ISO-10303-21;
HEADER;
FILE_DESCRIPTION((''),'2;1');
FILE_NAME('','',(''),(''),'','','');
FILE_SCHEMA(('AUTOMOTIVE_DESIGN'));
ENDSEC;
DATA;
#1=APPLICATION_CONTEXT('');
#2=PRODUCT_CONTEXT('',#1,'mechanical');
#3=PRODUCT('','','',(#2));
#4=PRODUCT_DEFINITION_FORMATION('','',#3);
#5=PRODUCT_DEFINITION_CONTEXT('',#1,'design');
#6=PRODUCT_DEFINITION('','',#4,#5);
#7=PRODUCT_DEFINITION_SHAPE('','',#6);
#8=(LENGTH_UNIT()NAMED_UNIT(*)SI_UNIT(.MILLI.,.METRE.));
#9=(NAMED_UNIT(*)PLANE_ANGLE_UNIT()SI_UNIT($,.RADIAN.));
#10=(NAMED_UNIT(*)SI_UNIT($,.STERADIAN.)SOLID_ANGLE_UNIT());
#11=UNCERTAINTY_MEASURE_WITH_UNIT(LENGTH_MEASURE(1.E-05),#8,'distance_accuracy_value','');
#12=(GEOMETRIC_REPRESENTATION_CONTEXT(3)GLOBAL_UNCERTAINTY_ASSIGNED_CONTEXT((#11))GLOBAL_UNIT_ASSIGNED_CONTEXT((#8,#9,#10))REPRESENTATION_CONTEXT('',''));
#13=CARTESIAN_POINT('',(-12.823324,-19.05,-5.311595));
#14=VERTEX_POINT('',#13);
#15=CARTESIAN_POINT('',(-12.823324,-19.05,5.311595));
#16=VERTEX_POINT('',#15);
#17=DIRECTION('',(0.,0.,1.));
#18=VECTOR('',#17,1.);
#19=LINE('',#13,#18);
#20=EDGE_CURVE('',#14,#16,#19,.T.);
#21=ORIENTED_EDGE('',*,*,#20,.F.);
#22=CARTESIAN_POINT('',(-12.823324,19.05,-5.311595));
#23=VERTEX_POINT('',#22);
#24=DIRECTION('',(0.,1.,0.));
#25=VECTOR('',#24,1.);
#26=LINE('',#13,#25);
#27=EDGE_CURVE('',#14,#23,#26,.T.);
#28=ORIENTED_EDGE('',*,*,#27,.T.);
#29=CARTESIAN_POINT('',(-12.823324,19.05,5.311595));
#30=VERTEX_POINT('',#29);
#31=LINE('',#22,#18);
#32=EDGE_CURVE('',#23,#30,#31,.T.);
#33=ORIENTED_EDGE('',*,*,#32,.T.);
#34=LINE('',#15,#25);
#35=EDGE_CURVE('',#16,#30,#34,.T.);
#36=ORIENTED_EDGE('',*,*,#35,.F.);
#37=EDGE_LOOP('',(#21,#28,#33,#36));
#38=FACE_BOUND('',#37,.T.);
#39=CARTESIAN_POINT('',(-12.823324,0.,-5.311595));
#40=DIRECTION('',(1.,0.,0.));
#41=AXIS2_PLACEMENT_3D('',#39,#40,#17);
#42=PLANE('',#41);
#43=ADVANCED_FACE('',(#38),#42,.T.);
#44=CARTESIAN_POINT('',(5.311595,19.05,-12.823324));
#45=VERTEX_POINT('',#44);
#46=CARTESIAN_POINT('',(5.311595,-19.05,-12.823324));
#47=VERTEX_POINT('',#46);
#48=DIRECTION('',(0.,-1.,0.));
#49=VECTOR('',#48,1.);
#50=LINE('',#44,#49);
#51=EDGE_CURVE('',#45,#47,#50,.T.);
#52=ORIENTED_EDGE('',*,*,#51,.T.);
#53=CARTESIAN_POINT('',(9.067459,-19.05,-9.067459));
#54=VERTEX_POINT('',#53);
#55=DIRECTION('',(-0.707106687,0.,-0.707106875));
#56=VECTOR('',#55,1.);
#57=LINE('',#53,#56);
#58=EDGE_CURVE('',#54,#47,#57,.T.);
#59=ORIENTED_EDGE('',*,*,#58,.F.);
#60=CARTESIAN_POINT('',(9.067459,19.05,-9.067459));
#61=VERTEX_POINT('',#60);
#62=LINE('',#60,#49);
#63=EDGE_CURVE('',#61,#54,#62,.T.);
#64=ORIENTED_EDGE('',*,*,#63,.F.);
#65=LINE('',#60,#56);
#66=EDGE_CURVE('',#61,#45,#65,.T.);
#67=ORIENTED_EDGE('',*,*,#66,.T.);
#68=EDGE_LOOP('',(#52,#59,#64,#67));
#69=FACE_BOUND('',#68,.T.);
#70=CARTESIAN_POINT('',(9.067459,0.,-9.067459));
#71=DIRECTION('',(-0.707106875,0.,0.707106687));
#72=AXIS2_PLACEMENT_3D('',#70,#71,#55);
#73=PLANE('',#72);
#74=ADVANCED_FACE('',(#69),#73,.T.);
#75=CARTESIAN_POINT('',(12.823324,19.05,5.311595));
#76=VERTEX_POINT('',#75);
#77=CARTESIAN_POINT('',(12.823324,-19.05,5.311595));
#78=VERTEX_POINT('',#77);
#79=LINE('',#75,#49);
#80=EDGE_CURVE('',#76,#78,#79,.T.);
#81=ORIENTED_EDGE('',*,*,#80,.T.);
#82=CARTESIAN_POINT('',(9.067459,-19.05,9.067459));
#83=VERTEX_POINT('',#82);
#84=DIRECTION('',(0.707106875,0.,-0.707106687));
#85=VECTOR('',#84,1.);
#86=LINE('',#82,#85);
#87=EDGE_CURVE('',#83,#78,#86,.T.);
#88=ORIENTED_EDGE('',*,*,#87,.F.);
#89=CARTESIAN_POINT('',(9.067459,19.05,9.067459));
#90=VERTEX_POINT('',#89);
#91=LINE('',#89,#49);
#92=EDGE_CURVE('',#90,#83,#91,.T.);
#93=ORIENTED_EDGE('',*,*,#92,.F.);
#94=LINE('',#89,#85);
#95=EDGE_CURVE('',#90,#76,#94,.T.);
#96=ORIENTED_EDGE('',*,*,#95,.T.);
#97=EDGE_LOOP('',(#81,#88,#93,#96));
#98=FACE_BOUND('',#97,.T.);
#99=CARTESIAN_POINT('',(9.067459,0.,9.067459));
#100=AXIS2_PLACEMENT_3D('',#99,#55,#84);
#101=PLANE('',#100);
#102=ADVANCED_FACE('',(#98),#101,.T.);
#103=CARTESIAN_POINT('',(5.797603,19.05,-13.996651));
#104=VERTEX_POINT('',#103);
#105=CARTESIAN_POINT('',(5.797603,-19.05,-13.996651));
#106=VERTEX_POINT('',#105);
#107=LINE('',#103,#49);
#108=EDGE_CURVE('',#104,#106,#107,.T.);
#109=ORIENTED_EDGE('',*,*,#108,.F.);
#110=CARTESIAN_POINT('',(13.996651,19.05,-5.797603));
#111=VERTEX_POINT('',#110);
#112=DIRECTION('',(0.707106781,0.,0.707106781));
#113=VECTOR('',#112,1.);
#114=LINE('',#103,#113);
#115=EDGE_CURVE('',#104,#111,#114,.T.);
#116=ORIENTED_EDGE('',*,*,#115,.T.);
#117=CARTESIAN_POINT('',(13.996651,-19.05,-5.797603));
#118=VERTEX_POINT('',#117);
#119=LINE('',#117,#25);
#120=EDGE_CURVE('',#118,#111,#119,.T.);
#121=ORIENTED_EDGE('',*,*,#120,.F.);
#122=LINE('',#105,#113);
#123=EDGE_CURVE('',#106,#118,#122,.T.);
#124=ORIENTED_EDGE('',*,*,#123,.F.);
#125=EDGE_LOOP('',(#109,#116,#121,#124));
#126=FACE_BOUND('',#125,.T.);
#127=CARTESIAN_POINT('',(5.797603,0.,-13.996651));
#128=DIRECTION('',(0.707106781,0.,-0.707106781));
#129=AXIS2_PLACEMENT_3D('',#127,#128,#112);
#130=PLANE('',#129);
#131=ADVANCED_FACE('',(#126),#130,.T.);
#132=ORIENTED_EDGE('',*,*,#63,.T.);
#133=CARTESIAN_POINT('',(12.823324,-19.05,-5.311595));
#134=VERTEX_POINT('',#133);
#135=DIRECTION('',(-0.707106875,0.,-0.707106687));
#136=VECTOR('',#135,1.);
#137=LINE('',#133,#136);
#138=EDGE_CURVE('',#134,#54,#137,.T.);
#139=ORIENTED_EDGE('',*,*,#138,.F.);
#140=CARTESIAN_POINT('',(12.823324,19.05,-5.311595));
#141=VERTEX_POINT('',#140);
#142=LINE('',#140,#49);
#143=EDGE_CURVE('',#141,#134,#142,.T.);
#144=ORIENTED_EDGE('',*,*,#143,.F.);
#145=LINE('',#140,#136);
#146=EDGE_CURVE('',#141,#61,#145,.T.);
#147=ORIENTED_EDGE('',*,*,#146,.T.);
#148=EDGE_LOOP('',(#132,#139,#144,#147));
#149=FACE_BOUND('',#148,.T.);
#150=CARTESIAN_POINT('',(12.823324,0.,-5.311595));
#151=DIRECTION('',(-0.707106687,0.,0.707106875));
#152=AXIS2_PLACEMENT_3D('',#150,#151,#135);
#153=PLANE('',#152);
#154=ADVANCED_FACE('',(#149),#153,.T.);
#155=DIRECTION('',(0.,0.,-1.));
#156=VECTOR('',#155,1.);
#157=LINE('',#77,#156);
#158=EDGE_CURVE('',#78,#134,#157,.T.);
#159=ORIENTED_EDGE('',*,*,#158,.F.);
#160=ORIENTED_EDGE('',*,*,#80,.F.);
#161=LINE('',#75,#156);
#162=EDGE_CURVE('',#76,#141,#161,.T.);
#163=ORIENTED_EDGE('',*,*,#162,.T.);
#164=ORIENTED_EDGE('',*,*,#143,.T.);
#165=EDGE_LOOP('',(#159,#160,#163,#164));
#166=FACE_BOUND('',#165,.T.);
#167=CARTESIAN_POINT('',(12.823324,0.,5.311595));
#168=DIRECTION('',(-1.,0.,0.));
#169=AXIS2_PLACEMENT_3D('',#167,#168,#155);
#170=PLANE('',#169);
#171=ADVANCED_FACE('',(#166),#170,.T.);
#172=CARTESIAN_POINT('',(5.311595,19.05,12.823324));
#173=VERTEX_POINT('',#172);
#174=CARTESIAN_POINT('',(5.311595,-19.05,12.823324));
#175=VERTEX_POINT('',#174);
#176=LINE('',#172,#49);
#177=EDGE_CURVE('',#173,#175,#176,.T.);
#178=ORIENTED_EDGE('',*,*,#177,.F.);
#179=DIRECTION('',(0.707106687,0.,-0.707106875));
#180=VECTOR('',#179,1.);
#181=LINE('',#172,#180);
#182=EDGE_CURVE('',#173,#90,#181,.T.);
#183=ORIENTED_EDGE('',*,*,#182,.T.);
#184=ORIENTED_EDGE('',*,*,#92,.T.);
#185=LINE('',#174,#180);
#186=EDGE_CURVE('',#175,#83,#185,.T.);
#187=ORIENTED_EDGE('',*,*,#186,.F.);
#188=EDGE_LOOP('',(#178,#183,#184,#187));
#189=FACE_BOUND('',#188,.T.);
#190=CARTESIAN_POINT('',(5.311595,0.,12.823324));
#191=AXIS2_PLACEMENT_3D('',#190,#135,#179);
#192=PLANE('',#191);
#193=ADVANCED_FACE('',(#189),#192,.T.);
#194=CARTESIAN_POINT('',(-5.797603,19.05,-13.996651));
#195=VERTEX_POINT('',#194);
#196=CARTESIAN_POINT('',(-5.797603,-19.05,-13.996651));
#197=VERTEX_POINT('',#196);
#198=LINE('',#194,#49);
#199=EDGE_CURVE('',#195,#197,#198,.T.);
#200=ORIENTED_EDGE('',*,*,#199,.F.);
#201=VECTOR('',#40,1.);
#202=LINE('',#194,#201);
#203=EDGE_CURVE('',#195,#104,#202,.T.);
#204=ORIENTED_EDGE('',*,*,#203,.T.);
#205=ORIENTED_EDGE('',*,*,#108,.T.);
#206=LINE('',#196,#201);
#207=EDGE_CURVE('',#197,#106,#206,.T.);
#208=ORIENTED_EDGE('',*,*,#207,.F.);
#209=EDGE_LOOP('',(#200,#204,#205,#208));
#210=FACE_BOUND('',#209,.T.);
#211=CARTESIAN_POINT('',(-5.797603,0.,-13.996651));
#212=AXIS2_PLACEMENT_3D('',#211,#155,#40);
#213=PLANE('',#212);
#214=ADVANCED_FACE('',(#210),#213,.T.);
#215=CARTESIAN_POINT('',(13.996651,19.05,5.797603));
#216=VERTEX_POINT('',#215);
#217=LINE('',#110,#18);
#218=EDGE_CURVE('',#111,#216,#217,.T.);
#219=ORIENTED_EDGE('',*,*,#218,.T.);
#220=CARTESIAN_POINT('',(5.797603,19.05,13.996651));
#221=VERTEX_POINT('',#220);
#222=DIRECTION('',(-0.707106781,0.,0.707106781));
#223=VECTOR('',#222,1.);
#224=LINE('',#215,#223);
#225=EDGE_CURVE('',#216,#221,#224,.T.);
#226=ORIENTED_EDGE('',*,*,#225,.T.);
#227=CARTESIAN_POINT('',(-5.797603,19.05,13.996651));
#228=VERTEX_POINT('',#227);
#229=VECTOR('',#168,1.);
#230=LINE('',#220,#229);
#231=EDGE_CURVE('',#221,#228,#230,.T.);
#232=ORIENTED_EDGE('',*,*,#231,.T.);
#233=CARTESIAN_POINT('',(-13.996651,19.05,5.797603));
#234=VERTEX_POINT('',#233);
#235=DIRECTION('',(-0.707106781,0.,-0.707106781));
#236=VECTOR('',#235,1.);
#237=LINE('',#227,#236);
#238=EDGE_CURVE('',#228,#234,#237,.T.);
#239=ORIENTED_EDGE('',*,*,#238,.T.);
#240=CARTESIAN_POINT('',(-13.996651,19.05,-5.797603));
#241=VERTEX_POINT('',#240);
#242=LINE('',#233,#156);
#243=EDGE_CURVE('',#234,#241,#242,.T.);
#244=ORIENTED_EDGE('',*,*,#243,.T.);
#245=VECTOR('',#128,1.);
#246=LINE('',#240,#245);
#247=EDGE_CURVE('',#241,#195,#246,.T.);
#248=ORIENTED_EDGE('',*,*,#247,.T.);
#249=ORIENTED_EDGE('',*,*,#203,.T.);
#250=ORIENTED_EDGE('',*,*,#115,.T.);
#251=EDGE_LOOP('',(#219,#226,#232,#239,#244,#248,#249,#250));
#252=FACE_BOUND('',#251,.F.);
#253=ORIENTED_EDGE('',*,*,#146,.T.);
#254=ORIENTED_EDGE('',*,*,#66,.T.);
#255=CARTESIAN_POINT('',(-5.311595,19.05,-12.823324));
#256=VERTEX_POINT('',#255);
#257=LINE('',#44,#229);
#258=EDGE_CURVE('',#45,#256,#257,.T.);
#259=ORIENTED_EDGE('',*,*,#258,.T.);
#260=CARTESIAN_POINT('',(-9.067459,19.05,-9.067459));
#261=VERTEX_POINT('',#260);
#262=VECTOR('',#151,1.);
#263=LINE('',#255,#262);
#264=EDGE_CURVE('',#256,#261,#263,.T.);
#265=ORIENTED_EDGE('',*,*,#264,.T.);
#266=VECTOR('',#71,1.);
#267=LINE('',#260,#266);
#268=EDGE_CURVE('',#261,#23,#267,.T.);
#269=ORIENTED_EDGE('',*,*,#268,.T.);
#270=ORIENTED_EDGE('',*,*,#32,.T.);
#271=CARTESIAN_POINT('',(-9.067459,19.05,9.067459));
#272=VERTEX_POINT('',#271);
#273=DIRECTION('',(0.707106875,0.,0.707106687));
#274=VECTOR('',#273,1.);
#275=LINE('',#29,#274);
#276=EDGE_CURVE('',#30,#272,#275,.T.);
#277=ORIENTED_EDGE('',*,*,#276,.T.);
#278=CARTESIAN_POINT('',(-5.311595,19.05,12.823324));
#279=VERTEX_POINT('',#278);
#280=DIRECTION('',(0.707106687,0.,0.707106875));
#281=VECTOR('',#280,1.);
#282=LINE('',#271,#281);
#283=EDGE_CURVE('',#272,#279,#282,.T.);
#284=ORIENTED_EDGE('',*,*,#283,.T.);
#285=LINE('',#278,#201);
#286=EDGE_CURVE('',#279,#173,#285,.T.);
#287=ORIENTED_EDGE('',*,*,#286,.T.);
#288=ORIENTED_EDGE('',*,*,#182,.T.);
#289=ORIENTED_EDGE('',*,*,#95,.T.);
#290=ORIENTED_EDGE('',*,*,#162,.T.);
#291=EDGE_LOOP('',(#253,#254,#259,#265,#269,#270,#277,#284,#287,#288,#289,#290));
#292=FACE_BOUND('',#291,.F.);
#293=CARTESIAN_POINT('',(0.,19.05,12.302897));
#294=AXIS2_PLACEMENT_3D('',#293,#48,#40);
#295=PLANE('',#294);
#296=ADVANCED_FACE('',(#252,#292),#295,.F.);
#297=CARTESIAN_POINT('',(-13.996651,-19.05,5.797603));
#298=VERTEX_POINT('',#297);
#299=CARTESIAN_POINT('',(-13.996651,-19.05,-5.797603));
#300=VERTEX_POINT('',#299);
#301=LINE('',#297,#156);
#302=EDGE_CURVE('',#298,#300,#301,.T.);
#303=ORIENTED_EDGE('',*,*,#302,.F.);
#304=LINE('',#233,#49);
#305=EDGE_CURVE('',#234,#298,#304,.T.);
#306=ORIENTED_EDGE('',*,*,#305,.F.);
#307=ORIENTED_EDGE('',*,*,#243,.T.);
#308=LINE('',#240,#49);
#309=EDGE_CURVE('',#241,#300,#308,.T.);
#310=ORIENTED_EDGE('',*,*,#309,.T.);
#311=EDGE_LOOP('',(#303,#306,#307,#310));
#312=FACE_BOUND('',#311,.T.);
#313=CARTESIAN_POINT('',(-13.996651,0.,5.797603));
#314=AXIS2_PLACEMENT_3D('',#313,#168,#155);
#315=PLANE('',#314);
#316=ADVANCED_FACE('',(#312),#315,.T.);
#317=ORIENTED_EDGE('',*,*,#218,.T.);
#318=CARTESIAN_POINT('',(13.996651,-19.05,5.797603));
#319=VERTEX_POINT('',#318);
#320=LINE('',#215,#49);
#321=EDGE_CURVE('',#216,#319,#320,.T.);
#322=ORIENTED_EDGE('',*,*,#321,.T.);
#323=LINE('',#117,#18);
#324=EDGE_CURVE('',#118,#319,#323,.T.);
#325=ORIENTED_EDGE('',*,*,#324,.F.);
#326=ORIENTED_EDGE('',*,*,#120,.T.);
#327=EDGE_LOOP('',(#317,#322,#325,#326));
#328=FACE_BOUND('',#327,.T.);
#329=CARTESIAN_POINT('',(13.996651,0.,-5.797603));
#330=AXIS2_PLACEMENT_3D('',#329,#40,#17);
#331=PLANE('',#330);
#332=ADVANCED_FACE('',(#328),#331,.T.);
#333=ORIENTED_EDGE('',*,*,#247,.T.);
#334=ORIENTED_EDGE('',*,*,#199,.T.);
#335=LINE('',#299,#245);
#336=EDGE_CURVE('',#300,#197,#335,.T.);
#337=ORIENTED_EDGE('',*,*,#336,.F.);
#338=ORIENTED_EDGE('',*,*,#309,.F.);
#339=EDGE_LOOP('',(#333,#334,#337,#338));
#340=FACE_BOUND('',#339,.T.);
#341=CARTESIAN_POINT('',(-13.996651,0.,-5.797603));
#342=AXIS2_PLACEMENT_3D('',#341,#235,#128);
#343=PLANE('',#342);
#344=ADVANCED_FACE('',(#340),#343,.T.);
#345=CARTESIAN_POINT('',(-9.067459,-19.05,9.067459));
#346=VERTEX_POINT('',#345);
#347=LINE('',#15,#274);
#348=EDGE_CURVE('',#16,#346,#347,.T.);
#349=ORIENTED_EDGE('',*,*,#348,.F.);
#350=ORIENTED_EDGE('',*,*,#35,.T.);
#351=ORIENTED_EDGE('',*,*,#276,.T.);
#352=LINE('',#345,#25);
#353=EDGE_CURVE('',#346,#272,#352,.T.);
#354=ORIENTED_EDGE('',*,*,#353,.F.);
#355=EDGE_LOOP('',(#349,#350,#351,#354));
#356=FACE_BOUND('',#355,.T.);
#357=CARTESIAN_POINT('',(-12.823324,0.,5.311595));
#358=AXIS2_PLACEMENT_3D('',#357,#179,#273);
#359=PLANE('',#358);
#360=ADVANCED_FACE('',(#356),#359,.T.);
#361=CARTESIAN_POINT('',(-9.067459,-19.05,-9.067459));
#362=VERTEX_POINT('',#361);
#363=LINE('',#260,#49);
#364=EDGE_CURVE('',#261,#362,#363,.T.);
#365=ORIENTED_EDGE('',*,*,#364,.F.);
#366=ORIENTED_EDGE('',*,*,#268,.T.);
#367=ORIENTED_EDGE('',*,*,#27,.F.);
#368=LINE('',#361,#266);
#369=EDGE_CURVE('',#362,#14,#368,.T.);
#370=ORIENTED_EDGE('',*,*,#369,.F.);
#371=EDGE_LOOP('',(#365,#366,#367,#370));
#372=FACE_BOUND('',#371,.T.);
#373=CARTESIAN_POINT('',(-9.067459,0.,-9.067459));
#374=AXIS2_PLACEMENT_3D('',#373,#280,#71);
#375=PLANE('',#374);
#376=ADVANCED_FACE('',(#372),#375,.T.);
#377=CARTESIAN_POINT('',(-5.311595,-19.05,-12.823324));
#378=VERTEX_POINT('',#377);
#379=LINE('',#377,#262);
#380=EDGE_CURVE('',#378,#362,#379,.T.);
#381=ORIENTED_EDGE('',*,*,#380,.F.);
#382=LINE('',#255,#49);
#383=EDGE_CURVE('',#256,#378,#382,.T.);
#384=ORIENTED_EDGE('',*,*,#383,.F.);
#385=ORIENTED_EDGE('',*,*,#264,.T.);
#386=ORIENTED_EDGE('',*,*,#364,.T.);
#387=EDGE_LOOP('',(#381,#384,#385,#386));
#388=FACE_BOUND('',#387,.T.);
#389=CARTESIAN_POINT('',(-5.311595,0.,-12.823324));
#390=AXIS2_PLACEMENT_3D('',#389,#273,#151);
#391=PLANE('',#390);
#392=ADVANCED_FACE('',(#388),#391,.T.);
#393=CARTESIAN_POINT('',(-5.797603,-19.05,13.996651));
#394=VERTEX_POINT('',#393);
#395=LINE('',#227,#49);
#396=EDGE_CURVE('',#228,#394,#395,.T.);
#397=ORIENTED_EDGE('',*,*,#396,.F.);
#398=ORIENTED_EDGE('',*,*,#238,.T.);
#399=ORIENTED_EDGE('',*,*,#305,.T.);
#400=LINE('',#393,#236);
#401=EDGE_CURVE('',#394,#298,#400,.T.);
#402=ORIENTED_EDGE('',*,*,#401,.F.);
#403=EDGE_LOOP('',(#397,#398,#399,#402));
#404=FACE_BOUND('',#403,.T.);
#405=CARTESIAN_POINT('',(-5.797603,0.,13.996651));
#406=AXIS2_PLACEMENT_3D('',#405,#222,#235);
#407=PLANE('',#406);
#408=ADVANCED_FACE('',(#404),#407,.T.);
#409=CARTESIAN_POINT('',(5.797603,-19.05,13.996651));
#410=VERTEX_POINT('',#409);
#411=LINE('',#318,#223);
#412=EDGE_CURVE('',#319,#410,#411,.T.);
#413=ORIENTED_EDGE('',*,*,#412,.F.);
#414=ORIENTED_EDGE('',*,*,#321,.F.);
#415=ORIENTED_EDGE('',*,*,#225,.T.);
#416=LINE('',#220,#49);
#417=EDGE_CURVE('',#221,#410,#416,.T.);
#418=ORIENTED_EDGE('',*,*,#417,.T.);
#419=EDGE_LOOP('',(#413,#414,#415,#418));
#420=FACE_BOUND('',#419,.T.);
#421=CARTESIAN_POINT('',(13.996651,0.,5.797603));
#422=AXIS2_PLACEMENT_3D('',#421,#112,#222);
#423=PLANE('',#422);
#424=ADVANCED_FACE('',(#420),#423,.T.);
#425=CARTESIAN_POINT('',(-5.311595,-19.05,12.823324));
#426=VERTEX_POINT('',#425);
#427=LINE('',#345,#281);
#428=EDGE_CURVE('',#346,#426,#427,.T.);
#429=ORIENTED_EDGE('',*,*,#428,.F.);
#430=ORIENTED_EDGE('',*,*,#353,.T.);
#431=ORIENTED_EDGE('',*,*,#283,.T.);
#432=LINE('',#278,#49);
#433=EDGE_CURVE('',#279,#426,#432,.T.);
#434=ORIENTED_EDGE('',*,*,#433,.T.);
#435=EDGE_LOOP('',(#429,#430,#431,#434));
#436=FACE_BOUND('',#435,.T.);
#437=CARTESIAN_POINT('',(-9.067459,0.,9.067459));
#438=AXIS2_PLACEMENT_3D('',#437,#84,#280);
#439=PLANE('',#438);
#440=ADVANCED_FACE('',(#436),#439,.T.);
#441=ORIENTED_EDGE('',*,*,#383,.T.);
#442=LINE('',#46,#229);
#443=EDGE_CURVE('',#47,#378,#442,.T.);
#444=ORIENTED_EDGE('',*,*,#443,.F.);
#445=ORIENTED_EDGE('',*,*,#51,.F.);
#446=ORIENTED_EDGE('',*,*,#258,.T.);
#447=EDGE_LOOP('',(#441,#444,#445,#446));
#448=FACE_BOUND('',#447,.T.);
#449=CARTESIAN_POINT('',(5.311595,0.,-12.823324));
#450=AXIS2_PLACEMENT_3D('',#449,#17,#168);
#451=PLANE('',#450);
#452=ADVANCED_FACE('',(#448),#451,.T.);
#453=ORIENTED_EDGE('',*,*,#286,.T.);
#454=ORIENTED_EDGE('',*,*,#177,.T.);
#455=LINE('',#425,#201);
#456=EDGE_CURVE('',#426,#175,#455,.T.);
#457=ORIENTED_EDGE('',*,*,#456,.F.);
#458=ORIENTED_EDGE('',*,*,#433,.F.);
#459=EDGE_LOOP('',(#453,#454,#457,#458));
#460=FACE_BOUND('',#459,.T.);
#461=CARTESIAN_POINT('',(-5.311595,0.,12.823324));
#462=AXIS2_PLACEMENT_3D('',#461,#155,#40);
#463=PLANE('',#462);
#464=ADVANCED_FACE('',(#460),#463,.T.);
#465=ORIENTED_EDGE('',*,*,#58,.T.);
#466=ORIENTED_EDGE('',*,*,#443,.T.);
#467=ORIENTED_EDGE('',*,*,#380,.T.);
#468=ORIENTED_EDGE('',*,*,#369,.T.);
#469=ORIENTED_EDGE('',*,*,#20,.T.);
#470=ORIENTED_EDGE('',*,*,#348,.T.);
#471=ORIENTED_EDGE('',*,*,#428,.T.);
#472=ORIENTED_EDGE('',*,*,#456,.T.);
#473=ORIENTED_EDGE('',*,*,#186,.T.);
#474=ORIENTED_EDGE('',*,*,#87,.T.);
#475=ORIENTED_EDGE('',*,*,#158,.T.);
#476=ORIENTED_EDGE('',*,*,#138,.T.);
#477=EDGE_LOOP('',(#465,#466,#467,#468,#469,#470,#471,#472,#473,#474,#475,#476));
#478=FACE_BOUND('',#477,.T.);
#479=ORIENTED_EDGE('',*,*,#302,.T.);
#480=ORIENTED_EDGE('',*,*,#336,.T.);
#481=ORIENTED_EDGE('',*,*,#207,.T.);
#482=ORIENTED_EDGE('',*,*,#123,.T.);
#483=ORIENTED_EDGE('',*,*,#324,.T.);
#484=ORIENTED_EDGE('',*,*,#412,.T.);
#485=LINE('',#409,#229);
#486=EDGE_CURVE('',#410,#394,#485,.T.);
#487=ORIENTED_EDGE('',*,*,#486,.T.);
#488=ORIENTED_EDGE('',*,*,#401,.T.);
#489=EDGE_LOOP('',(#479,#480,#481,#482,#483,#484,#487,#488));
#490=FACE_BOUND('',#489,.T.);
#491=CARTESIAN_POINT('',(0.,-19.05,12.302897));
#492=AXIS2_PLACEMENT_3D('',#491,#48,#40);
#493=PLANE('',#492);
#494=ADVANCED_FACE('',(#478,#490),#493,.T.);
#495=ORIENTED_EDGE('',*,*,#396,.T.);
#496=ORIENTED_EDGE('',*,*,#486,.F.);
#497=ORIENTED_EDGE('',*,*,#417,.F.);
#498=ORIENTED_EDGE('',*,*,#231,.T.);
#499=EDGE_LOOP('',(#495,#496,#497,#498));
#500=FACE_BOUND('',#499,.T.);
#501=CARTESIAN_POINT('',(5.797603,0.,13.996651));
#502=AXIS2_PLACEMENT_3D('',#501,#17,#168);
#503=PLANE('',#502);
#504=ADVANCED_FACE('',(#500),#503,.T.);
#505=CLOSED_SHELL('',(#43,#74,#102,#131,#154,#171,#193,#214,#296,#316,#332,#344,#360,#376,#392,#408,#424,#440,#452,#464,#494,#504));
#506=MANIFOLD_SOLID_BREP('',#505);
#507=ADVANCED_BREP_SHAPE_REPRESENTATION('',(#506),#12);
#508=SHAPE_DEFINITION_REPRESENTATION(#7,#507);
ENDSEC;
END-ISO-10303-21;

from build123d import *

# Parameters (mm, degrees)
F1_DEPTH = 19.05


with BuildPart() as f1:
    # F0 (on Front) → F1 (new body, symmetric)
    with BuildSketch(Plane.XZ):
        Polygon((-9.897127, 9.897127), (-9.067459, 9.067459), (-5.311595, 12.823324), (5.311595, 12.823324), (9.067459, 9.067459), (9.897127, 9.897127), (5.797603, 13.996651), (-5.797603, 13.996651), align=None)
        Polygon((-12.823324, 5.311595), (-9.067459, 9.067459), (-9.897127, 9.897127), (-13.996651, 5.797603), (-13.996651, -5.797603), (-9.897127, -9.897127), (-9.067459, -9.067459), (-12.823324, -5.311595), align=None)
        Polygon((9.897127, 9.897127), (9.067459, 9.067459), (12.823324, 5.311595), (12.823324, -5.311595), (9.067459, -9.067459), (9.897127, -9.897127), (13.996651, -5.797603), (13.996651, 5.797603), align=None)
        Polygon((-5.311595, -12.823324), (-9.067459, -9.067459), (-9.897127, -9.897127), (-5.797603, -13.996651), (5.797603, -13.996651), (9.897127, -9.897127), (9.067459, -9.067459), (5.311595, -12.823324), align=None)
    extrude(amount=F1_DEPTH, both=True)


solid = f1.part
